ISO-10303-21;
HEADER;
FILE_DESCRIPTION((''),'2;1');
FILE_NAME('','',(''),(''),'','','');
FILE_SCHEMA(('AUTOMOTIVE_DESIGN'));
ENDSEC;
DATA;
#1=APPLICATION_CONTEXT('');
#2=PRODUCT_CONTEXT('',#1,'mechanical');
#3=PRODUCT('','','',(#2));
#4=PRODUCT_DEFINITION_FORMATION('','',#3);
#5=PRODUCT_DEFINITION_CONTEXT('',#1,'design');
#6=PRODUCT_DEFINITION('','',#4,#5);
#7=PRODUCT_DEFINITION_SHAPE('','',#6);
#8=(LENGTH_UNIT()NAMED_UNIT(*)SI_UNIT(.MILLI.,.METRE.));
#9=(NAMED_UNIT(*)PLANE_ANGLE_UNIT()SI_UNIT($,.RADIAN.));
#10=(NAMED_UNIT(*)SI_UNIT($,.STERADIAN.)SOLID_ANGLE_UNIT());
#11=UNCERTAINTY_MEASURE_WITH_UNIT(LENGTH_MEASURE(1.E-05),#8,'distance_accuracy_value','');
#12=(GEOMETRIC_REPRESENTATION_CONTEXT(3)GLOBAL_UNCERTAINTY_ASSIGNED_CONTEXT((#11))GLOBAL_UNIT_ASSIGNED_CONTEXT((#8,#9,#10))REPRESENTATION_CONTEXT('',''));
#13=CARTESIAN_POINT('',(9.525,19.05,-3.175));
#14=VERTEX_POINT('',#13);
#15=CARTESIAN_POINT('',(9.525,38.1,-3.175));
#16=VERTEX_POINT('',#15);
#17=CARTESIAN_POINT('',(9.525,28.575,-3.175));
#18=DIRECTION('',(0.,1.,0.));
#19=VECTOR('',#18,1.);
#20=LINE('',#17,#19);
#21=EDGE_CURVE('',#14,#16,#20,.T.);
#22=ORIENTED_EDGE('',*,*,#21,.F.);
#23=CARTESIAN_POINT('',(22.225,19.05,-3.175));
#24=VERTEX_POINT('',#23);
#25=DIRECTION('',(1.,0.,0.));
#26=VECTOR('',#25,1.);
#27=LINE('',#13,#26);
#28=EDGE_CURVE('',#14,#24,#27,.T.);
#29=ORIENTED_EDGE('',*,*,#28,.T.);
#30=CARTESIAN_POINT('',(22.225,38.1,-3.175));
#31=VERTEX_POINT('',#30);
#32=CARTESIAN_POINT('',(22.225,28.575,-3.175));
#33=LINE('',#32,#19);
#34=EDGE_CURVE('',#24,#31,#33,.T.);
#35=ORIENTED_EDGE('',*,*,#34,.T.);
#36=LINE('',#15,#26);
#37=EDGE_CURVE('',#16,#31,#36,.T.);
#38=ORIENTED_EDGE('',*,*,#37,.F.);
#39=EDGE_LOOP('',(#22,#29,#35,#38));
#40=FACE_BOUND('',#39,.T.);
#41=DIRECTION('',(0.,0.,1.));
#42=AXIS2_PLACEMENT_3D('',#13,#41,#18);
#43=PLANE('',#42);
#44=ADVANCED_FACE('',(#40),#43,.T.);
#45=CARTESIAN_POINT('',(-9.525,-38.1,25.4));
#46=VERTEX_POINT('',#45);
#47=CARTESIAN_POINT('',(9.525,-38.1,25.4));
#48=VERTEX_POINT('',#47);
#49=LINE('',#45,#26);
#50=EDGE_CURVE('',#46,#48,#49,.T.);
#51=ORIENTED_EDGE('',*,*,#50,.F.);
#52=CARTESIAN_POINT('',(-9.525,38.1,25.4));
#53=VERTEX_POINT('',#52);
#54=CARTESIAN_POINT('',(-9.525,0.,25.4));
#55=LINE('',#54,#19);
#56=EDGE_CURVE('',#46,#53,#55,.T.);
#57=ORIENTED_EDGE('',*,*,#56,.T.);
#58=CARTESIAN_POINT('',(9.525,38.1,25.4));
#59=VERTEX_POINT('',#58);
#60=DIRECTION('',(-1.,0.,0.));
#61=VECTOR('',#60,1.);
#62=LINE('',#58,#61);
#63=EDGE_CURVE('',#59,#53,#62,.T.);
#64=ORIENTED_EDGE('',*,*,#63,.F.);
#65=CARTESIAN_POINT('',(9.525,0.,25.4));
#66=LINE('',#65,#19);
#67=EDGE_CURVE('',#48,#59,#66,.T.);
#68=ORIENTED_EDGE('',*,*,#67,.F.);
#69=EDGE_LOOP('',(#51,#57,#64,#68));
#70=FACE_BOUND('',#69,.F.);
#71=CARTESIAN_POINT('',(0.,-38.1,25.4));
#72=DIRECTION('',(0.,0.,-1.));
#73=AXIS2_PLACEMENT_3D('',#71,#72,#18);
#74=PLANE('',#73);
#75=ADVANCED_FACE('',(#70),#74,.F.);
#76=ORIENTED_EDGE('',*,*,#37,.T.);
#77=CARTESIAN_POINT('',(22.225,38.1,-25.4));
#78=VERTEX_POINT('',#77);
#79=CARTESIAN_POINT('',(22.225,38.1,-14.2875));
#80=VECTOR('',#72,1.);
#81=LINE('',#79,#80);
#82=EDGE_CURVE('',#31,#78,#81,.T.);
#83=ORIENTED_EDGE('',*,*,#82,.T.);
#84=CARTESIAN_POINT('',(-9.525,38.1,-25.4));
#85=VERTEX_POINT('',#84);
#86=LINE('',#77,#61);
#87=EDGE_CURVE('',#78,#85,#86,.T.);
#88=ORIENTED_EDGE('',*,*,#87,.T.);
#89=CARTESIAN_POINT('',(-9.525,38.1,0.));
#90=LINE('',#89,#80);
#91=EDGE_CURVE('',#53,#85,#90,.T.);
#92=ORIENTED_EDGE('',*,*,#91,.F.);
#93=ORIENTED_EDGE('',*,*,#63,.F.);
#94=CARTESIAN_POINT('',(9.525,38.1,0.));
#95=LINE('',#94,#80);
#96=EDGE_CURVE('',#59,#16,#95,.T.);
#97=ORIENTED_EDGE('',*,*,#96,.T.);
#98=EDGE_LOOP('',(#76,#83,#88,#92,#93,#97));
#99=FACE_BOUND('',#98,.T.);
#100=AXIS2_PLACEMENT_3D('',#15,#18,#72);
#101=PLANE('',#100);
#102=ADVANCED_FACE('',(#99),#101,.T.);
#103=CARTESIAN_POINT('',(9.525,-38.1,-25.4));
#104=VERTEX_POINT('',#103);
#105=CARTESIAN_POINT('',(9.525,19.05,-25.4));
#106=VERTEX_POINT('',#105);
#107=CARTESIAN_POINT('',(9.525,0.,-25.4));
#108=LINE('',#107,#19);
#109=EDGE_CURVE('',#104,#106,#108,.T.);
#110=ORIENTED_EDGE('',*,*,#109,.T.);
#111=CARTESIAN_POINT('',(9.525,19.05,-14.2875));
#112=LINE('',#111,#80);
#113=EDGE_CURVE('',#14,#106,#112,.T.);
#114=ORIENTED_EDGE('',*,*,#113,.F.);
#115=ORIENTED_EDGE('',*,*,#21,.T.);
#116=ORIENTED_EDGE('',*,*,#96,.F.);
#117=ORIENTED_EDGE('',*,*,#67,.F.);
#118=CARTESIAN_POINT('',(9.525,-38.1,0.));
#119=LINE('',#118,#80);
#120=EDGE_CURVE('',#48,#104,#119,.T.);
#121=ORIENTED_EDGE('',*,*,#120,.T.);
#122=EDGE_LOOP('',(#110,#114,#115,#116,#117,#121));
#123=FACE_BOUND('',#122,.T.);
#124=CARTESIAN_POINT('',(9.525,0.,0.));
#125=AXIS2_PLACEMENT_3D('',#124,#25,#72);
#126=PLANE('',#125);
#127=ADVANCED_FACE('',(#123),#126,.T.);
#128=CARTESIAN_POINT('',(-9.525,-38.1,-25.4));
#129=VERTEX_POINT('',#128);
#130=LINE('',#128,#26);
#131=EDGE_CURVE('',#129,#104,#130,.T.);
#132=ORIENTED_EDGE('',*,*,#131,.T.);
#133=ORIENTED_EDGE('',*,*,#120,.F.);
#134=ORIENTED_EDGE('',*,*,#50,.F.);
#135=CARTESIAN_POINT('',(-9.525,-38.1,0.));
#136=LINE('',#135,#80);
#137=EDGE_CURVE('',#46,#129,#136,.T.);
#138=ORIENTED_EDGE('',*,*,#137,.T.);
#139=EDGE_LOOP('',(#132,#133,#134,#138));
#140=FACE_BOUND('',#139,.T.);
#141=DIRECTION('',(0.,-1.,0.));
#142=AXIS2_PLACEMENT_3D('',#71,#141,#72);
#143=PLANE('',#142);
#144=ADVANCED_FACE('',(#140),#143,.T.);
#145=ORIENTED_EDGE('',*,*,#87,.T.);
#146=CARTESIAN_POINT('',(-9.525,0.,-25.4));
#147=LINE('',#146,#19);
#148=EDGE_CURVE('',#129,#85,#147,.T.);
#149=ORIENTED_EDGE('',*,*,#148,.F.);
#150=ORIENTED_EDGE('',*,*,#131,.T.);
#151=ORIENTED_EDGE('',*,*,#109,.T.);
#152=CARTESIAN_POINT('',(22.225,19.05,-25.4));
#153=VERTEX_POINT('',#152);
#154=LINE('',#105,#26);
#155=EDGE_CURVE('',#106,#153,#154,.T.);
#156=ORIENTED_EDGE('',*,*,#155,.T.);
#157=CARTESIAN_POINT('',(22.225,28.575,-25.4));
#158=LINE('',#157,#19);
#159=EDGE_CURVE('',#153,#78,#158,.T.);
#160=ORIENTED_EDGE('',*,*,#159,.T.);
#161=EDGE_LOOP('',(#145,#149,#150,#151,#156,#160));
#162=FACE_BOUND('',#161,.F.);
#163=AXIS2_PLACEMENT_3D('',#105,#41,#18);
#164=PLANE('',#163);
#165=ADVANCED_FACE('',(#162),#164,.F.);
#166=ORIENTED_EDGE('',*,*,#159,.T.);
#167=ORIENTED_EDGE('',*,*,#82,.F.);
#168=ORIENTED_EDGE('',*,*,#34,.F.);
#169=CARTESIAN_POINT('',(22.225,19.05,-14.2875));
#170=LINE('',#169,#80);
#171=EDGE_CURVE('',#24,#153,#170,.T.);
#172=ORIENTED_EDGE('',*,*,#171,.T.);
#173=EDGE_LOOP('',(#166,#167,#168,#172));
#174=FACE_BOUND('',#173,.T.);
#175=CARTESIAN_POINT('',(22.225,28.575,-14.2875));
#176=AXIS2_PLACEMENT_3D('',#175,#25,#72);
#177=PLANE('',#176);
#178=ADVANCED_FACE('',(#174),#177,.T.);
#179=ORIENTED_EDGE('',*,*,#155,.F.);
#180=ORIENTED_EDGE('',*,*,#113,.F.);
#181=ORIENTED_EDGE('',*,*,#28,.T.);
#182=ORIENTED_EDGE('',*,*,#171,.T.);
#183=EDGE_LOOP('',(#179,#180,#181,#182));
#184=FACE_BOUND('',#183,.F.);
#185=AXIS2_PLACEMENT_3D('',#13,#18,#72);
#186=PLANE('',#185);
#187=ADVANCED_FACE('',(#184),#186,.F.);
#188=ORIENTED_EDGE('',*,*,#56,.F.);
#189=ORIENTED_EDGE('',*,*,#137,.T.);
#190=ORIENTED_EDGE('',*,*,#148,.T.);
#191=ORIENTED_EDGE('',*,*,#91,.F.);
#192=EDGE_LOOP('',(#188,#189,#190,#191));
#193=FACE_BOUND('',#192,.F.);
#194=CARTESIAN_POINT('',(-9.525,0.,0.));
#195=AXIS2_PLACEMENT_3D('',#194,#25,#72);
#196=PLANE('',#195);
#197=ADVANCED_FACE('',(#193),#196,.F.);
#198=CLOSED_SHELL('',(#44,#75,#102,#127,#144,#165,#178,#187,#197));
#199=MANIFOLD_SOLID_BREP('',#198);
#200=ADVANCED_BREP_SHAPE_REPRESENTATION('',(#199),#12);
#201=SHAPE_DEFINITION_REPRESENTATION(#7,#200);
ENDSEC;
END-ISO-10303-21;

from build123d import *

# Parameters (mm, degrees)
SKETCH1_W           = 50.8
SKETCH1_H           = 76.2
BOSS_EXTRUDE1_DEPTH = 9.525
SKETCH2_W           = 22.225
SKETCH2_H           = 19.05
BOSS_EXTRUDE2_DEPTH = 12.7


with BuildPart() as part:
    # Sketch1 → Boss-Extrude1 (new body, symmetric)
    with BuildSketch(Plane(origin=(0, 0, 0), x_dir=(0, 0, -1), z_dir=(1, 0, 0))):
        Rectangle(SKETCH1_W, SKETCH1_H)
    extrude(amount=BOSS_EXTRUDE1_DEPTH, both=True)

    # Sketch2 → Boss-Extrude2 (add)
    with BuildSketch(Plane(origin=(9.525, 0, 0), x_dir=(0, 0, -1), z_dir=(1, 0, 0))):
        with Locations((14.2875, 28.575)):
            Rectangle(SKETCH2_W, SKETCH2_H)
    extrude(amount=BOSS_EXTRUDE2_DEPTH)


solid = part.part
